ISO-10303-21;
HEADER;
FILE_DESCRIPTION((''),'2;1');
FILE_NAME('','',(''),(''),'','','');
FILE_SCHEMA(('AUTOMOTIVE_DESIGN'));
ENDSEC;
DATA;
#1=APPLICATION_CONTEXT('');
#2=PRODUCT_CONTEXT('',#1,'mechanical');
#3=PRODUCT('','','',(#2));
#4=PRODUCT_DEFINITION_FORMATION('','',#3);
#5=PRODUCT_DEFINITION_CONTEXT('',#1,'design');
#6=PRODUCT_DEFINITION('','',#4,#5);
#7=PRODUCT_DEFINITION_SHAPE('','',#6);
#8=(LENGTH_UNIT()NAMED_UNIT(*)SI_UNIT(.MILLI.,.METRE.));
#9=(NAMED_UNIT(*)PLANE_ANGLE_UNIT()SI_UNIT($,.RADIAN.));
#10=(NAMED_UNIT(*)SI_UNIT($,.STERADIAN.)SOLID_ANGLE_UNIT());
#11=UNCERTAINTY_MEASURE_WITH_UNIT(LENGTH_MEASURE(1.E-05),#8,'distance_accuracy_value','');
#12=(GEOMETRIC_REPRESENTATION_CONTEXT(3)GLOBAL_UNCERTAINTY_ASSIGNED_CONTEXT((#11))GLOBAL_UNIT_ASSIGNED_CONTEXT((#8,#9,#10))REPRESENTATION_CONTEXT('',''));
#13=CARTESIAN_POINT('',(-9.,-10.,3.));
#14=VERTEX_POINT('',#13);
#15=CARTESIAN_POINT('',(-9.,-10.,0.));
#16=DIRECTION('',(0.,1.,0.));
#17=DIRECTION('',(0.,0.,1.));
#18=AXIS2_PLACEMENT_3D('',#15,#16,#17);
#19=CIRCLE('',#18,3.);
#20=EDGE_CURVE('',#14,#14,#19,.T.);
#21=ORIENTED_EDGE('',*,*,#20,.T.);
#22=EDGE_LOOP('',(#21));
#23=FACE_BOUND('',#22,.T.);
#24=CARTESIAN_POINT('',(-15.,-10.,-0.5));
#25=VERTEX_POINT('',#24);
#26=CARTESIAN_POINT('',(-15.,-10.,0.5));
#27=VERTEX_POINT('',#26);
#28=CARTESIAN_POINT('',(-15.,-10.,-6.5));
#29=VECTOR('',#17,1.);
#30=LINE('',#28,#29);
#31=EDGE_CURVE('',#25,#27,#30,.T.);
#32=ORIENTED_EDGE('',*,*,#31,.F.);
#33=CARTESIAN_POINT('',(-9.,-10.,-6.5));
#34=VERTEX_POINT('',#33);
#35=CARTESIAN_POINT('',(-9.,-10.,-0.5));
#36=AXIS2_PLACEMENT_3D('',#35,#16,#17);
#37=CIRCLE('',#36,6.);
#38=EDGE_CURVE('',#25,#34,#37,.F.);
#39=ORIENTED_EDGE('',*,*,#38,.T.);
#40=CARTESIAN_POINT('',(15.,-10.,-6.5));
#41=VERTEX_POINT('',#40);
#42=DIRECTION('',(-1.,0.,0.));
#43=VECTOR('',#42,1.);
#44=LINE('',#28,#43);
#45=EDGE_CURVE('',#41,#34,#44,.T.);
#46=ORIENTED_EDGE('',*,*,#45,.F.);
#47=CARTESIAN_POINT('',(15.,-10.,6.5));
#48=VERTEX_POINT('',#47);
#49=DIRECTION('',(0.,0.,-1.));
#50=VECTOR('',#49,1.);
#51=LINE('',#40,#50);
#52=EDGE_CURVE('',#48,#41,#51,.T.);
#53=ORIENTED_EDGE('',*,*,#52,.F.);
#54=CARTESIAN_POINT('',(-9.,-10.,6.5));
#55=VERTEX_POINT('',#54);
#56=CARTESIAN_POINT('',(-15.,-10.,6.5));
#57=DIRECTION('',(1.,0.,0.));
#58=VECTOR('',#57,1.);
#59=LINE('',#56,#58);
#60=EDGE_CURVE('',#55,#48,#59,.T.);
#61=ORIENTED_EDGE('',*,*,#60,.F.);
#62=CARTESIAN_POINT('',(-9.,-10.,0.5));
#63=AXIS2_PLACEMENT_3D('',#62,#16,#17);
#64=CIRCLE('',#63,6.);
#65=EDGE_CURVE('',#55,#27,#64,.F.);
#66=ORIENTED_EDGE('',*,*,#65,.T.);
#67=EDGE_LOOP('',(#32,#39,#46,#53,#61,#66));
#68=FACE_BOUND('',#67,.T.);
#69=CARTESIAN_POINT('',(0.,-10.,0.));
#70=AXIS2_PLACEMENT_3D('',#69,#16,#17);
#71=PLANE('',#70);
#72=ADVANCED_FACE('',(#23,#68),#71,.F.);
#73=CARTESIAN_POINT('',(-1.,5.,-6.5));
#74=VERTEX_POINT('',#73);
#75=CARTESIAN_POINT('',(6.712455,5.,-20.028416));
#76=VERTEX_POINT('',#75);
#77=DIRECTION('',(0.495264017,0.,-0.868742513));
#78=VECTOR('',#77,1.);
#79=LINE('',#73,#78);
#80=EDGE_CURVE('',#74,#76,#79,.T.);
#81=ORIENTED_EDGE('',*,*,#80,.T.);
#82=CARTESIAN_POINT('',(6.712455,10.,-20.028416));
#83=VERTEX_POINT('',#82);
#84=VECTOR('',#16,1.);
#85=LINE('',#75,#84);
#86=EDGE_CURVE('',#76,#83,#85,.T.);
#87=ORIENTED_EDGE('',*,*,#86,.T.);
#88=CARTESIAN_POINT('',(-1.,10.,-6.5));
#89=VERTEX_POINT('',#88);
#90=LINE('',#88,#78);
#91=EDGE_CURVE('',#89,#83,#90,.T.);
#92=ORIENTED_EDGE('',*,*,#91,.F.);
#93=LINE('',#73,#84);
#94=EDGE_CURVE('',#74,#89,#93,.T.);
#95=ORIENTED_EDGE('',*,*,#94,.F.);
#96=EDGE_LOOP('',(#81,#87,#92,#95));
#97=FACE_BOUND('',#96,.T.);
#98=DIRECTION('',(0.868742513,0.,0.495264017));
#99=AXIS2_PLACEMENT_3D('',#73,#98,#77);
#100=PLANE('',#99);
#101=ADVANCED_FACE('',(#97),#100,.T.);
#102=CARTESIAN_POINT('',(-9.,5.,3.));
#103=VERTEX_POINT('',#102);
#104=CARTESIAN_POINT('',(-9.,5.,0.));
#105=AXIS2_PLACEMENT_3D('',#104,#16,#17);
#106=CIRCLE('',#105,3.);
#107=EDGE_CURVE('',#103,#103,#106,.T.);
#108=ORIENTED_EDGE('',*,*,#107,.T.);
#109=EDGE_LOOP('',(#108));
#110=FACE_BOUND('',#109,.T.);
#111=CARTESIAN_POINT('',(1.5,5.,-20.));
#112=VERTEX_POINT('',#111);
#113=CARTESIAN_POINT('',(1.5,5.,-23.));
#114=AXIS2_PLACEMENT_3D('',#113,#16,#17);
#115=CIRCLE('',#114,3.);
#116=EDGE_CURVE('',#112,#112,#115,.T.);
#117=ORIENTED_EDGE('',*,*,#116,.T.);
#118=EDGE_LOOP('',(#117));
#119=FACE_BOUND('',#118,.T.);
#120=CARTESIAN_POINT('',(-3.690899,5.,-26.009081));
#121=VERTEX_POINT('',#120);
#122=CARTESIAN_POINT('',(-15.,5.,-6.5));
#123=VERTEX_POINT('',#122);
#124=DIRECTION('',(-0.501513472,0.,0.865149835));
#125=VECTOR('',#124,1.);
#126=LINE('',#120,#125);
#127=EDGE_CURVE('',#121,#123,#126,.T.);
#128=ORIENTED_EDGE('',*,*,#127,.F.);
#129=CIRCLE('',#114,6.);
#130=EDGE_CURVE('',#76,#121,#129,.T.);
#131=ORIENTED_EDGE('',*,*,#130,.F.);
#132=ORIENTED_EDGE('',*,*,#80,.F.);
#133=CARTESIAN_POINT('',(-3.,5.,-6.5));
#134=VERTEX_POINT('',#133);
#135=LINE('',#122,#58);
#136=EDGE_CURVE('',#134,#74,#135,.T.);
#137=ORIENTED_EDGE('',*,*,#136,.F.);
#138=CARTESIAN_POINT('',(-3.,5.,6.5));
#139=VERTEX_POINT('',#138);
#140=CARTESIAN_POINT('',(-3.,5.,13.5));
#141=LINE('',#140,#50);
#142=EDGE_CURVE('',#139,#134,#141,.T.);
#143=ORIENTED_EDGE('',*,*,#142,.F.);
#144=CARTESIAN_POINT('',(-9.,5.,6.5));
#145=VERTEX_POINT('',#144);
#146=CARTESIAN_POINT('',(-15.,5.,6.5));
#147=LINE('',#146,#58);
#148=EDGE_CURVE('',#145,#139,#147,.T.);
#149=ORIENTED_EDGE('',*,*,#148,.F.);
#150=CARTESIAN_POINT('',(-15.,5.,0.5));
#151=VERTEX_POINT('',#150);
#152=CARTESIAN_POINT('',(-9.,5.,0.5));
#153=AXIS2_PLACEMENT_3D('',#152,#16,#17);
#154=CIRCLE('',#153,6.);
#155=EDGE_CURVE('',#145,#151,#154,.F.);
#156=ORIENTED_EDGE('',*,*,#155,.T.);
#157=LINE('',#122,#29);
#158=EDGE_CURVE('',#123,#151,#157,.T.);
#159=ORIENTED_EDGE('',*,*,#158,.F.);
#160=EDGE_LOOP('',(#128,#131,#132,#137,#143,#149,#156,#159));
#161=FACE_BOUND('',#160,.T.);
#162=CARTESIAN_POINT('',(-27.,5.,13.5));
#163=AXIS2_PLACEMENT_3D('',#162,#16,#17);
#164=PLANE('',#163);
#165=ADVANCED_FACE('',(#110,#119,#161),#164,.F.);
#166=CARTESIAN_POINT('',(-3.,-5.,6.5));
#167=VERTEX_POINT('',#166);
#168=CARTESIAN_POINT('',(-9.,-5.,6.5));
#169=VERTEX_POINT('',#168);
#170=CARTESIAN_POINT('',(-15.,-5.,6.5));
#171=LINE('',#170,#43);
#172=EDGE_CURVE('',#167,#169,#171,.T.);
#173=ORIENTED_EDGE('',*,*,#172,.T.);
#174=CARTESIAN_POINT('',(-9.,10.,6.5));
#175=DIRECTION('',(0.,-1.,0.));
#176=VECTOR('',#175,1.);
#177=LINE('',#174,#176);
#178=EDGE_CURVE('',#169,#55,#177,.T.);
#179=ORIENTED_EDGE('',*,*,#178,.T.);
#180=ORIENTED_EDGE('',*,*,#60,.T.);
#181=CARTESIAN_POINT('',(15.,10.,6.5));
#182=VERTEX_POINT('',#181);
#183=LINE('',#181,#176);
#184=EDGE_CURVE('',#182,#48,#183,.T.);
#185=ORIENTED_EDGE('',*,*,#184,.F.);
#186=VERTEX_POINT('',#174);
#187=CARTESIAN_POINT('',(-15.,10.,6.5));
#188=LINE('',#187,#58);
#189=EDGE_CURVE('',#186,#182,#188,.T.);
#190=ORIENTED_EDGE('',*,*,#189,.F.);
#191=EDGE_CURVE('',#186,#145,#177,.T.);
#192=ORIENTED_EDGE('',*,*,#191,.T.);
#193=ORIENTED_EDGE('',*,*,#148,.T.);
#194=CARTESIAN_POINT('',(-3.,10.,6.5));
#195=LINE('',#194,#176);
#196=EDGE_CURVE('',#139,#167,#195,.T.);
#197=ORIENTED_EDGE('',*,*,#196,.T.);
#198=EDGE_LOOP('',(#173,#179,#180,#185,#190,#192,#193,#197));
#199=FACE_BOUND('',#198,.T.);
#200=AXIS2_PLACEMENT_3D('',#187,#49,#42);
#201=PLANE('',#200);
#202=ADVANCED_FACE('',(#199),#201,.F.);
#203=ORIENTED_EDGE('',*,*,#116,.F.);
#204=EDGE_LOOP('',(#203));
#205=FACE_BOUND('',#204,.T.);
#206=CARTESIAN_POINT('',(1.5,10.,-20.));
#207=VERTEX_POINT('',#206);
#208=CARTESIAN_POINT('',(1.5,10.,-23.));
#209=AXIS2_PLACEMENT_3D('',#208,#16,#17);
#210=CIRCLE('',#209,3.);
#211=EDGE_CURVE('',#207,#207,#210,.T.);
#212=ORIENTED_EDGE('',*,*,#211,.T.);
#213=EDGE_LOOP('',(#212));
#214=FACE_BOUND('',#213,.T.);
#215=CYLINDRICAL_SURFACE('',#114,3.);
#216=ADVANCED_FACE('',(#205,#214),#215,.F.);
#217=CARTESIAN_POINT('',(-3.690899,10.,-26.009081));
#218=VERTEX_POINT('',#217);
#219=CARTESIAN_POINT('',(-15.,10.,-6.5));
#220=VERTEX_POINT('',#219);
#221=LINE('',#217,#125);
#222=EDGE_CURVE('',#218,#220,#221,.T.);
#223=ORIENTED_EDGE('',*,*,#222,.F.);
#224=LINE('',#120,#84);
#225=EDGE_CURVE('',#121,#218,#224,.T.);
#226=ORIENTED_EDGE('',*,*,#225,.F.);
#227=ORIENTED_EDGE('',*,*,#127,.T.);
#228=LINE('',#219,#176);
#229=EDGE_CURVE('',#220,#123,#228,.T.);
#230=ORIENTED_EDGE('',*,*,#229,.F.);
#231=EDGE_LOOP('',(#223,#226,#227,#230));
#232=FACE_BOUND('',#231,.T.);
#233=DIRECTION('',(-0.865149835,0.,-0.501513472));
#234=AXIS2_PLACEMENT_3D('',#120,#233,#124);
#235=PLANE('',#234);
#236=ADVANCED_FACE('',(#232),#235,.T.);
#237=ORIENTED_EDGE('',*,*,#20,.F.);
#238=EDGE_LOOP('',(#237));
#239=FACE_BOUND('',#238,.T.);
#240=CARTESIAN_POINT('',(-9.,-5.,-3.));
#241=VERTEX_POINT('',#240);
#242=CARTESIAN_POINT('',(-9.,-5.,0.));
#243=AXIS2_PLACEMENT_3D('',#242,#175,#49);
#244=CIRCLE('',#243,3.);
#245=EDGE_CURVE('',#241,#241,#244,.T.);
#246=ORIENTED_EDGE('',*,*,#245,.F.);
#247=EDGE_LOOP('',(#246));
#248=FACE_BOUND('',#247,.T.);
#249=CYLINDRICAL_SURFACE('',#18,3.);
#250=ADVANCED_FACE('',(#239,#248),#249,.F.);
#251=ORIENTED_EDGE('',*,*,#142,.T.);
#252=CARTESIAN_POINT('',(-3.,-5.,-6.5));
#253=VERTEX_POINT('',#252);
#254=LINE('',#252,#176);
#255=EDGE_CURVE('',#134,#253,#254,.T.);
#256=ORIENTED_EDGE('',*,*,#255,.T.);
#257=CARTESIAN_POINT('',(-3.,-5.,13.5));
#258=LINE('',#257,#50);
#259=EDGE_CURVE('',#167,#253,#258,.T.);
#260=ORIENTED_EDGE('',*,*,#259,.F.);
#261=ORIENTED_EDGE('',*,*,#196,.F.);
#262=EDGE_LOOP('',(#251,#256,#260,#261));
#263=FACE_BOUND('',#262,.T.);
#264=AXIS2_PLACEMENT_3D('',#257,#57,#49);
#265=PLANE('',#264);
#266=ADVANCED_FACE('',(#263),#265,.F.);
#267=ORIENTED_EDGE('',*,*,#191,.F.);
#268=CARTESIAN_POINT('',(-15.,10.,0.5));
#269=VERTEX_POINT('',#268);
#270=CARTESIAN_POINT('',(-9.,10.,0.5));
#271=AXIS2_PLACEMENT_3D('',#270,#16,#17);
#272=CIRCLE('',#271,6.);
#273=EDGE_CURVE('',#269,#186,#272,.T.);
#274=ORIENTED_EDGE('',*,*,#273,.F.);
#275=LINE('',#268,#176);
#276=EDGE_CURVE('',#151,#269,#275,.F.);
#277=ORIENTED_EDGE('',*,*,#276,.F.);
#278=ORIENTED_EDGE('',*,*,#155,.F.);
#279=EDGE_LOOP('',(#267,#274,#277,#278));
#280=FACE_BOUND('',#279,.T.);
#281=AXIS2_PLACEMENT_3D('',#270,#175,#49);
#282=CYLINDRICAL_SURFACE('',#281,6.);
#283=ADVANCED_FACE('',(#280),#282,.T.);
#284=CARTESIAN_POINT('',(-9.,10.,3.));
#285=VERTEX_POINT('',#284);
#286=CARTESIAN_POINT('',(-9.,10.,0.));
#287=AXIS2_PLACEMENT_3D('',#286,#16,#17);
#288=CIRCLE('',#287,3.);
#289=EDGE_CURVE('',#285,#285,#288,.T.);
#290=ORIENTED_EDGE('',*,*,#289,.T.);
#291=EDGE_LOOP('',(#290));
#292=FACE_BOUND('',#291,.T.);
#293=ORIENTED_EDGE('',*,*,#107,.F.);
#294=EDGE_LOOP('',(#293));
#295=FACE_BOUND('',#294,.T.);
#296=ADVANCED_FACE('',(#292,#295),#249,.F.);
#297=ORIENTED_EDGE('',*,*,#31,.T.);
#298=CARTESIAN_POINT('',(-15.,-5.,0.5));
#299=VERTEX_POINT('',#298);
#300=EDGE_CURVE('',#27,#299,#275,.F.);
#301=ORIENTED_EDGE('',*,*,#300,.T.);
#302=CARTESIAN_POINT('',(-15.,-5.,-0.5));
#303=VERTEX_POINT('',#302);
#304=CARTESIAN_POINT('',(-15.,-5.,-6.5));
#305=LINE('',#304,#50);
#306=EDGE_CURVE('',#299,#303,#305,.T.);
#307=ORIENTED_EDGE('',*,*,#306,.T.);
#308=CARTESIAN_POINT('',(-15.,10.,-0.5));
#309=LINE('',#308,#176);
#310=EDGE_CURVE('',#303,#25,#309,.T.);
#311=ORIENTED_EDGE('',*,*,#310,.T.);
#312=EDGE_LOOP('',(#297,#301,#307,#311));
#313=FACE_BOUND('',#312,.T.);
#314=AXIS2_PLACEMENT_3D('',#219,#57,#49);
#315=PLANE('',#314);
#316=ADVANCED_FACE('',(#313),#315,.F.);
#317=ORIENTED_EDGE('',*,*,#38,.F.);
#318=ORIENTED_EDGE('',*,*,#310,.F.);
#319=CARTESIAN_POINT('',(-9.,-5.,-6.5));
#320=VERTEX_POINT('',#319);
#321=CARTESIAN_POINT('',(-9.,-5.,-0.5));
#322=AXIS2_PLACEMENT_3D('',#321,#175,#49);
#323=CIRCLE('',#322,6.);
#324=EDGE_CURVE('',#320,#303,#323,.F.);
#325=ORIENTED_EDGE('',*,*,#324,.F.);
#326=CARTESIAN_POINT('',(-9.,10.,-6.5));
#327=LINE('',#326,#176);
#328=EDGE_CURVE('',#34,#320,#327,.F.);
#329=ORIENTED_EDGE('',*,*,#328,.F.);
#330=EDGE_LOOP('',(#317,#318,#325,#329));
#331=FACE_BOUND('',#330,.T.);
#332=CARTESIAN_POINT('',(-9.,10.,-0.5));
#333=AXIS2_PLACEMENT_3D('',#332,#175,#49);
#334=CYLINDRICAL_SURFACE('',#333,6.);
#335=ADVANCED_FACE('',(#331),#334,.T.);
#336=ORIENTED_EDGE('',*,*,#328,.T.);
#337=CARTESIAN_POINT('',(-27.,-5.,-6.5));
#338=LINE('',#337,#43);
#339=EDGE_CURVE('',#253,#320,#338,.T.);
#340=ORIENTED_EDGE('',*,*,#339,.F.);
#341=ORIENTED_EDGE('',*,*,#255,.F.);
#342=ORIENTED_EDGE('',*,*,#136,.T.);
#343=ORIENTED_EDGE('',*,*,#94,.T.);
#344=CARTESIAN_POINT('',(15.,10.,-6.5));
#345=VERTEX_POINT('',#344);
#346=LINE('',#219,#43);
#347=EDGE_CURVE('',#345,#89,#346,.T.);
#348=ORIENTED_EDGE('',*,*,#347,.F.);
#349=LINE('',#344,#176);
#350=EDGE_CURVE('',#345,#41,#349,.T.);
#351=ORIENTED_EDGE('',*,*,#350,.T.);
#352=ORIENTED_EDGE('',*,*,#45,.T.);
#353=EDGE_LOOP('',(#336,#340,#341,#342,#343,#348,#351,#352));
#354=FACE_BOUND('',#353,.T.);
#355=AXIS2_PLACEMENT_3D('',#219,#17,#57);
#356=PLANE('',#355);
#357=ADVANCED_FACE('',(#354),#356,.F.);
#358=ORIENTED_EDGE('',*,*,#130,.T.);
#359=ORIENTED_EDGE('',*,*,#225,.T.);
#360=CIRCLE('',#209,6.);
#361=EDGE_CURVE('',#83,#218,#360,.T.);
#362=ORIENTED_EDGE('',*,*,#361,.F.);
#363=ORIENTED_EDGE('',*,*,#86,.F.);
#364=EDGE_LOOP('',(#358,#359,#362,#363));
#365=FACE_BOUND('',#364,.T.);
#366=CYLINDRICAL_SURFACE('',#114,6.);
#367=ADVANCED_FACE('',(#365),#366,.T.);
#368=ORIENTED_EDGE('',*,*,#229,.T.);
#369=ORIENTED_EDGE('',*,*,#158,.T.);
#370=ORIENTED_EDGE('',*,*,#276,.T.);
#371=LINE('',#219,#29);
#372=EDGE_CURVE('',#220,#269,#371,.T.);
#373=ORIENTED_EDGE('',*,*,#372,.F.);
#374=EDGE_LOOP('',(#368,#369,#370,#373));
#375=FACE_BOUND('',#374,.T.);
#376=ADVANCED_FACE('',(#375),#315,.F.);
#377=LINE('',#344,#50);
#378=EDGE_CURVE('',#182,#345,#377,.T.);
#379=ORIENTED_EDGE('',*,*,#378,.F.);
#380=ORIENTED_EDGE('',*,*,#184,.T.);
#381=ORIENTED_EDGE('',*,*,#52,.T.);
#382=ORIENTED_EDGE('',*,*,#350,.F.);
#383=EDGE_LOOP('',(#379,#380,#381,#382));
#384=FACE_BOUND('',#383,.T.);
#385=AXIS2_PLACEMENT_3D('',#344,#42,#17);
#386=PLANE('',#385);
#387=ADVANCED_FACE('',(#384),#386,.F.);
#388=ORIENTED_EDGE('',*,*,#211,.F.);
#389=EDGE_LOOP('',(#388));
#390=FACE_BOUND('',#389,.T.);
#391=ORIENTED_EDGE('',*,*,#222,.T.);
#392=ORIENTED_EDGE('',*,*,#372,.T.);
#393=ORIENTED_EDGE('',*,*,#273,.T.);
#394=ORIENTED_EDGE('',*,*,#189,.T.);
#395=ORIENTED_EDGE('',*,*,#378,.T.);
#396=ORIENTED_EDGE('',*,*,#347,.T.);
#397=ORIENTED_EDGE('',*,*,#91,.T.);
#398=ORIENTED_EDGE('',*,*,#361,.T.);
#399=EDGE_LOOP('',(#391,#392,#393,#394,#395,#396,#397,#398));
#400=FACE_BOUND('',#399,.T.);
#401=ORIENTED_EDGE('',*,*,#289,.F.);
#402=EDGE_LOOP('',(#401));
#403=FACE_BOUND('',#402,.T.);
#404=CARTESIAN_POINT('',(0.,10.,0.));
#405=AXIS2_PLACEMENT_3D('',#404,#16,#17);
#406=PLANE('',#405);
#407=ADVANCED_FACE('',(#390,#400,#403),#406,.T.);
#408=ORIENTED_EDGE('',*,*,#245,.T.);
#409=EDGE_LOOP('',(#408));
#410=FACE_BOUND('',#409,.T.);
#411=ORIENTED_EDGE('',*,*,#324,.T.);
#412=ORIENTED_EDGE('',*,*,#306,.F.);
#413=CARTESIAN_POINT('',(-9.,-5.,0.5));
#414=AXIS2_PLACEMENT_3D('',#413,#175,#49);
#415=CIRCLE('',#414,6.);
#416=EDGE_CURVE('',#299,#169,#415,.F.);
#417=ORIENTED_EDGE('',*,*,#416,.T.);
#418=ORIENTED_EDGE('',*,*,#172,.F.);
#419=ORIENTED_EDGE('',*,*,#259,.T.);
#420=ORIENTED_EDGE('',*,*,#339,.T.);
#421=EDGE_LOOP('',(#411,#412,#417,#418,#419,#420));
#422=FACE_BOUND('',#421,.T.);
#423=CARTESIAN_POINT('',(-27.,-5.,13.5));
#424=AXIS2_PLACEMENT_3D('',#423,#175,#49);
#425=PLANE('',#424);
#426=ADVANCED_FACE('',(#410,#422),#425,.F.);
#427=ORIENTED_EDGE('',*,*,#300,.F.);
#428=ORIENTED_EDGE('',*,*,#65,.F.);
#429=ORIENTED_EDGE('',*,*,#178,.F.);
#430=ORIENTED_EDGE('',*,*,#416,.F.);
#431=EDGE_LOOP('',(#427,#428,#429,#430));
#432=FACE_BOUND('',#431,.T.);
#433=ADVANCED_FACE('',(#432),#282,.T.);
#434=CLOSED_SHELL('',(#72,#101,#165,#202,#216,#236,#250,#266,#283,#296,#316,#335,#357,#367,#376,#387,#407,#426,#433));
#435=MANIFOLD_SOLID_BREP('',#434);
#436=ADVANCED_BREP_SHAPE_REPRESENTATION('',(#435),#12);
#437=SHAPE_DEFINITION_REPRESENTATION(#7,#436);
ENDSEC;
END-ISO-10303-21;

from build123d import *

# Parameters (mm, degrees)
SKETCH_1_W          = 30
SKETCH_1_H          = 13
EXTRUDE_1_DEPTH     = 10
SKETCH_2_W          = 24
SKETCH_2_H          = 10
CUT_EXTRUDE_1_DEPTH = 20
SKETCH_3_R          = 3
EXTRUDE_2_DEPTH     = 5
SKETCH_4_R          = 3
CUT_EXTRUDE_2_DEPTH = 39.288379438
FILLET_1_R          = 6


with BuildPart() as part:
    # 草图1 → 凸台-拉伸1 (new, symmetric)
    with BuildSketch(Plane(origin=(0, 0, 0), x_dir=(1, 0, 0), z_dir=(0, 1, 0))):
        Rectangle(SKETCH_1_W, SKETCH_1_H)
    extrude(amount=EXTRUDE_1_DEPTH, both=True)

    # 草图2 → 切除-拉伸1 (cut)
    with BuildSketch(Plane(origin=(0, 0, -6.5), x_dir=(-1, 0, 0), z_dir=(0, 0, -1))):
        with Locations((15, 0)):
            Rectangle(SKETCH_2_W, SKETCH_2_H)
    extrude(amount=-CUT_EXTRUDE_1_DEPTH, mode=Mode.SUBTRACT)

    # 草图3 → 凸台-拉伸2 (add)
    with BuildSketch(Plane(origin=(0, 10, 0), x_dir=(1, 0, 0), z_dir=(0, 1, 0))):
        with BuildLine():
            Line((-3.690899012, 26.00908083), (-15, 6.5))
            Line((-15, 6.5), (-1, 6.5))
            Line((-1, 6.5), (6.712455076, 20.028415898))
            ThreePointArc((6.712455076, 20.028415898), (4.49035189, 28.201710831), (-3.690899012, 26.00908083))
        make_face()
        with Locations(Location((1.5, 23, 0), (0, 0, 270))):
            Circle(SKETCH_3_R, mode=Mode.SUBTRACT)
    extrude(amount=-EXTRUDE_2_DEPTH)

    # 草图4 → 切除-拉伸2 (cut, through all)
    with BuildSketch(Plane(origin=(0, 10, 0), x_dir=(1, 0, 0), z_dir=(0, 1, 0))):
        with Locations(Location((-9, 0, 0), (0, 0, 270))):
            Circle(SKETCH_4_R)
    extrude(amount=-CUT_EXTRUDE_2_DEPTH, mode=Mode.SUBTRACT)

    # 圆角1
    fillet_1_edges = [part.edges().sort_by_distance(p)[0] for p in [
        (-15, -7.5, 6.5),
        (-15, -7.5, -6.5),
        (-15, 7.5, 6.5),
    ]]
    fillet(fillet_1_edges, radius=FILLET_1_R)


solid = part.part
